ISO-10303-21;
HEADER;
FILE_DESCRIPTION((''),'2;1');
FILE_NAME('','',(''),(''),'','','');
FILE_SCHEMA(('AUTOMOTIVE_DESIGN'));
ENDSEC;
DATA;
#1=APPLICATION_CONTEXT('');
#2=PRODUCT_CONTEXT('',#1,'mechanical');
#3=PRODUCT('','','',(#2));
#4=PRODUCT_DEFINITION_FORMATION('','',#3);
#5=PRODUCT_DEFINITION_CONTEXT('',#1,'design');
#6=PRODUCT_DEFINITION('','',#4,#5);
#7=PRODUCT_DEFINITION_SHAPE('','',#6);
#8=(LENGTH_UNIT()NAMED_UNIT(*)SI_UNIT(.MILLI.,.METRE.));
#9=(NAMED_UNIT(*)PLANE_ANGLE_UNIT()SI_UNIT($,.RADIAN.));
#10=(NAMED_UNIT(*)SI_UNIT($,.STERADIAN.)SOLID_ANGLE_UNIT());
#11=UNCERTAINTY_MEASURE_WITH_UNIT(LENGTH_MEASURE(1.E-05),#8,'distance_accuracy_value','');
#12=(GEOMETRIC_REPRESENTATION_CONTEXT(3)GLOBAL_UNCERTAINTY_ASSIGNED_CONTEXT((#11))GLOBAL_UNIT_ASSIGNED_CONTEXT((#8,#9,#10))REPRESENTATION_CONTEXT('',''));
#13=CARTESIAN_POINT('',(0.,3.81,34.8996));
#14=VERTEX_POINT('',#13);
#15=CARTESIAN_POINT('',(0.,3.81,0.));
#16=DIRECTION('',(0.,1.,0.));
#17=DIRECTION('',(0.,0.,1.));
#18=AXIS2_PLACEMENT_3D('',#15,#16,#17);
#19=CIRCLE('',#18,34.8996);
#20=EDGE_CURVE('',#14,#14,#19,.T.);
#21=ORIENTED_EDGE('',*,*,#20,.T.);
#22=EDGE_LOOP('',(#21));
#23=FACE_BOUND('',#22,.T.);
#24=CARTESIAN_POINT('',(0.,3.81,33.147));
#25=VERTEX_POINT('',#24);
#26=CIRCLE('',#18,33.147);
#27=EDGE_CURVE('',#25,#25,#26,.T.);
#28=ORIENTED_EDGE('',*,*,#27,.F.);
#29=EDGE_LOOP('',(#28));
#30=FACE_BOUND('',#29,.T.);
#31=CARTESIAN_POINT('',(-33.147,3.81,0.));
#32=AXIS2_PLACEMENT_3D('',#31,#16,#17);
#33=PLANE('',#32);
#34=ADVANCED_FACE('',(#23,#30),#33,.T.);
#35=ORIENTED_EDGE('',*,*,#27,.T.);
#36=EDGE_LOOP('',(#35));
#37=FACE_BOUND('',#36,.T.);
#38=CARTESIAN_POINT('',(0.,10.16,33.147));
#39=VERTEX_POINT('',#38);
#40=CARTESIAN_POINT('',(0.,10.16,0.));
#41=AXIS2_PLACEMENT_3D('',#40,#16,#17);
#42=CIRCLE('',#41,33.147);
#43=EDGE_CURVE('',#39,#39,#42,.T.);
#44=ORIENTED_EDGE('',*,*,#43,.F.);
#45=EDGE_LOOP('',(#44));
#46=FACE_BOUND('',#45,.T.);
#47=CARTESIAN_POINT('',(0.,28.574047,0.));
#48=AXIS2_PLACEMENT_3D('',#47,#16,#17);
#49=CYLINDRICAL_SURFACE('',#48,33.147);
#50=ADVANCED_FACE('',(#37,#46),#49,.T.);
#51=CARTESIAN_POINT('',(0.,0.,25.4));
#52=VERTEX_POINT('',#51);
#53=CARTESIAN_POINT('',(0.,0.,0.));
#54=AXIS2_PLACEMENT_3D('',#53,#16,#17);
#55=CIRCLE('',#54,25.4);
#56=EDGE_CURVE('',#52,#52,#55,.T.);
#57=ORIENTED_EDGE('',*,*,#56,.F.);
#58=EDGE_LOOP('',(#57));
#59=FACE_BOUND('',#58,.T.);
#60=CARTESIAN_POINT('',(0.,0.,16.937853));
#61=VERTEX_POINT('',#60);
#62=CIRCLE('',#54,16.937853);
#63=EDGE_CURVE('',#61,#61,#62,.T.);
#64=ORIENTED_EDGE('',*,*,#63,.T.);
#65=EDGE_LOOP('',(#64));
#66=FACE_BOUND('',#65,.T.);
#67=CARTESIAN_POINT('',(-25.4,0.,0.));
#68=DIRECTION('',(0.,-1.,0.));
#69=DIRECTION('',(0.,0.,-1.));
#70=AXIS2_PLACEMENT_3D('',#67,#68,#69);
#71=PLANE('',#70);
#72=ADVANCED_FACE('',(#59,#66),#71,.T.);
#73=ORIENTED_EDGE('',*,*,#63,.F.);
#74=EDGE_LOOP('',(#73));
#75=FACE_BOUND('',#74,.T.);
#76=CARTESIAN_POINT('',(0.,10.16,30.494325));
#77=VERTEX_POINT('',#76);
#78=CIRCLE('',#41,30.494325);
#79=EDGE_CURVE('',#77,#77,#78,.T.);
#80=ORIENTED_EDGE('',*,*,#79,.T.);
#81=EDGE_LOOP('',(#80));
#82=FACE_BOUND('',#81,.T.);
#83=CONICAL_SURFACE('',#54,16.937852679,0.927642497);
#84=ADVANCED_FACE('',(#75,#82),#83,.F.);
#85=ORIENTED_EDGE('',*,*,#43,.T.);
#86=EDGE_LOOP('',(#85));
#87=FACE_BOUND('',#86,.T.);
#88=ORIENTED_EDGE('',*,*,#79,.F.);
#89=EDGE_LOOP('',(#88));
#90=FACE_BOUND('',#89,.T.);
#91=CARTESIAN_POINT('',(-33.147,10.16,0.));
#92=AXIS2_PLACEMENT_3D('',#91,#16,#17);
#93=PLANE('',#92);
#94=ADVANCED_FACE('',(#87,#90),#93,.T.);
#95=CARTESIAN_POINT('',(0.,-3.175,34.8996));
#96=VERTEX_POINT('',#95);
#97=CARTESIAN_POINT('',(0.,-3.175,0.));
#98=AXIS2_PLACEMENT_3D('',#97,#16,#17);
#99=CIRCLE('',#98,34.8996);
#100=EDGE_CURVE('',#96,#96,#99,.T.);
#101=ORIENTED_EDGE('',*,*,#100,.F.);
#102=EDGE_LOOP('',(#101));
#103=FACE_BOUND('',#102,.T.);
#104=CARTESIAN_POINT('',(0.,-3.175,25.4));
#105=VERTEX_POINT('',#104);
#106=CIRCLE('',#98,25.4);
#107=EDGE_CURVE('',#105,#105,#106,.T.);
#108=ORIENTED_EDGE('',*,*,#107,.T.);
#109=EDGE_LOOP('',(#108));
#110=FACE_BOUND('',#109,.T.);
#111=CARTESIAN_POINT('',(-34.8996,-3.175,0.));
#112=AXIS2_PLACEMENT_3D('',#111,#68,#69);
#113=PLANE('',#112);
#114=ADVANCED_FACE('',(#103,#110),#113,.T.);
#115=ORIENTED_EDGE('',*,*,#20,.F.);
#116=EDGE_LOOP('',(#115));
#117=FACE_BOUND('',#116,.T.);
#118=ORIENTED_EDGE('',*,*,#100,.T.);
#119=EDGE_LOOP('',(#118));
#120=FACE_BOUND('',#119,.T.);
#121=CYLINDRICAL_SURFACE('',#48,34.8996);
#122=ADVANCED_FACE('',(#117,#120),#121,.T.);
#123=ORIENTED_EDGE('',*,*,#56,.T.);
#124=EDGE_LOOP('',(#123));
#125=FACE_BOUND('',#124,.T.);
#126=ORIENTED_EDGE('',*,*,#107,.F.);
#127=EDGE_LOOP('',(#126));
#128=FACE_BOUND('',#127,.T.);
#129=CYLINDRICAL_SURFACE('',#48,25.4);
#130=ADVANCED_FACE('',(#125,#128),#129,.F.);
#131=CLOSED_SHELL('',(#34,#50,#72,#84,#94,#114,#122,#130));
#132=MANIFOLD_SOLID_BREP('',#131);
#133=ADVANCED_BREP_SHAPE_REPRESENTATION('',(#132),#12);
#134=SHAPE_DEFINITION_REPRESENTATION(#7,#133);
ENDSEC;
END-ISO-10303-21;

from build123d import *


with BuildPart() as part:
    # Sketch1 → Revolve1 (revolve)
    with BuildSketch(Plane.XY):
        Polygon((-16.937852679, 0), (-30.494324884, 10.16), (-33.147, 10.16), (-33.147, 3.81), (-34.8996, 3.81), (-34.8996, -3.175), (-25.4, -3.175), (-25.4, 0), align=None)
    revolve(axis=Axis((0, 28.5740475, 0), (0, -1, 0)))


solid = part.part
